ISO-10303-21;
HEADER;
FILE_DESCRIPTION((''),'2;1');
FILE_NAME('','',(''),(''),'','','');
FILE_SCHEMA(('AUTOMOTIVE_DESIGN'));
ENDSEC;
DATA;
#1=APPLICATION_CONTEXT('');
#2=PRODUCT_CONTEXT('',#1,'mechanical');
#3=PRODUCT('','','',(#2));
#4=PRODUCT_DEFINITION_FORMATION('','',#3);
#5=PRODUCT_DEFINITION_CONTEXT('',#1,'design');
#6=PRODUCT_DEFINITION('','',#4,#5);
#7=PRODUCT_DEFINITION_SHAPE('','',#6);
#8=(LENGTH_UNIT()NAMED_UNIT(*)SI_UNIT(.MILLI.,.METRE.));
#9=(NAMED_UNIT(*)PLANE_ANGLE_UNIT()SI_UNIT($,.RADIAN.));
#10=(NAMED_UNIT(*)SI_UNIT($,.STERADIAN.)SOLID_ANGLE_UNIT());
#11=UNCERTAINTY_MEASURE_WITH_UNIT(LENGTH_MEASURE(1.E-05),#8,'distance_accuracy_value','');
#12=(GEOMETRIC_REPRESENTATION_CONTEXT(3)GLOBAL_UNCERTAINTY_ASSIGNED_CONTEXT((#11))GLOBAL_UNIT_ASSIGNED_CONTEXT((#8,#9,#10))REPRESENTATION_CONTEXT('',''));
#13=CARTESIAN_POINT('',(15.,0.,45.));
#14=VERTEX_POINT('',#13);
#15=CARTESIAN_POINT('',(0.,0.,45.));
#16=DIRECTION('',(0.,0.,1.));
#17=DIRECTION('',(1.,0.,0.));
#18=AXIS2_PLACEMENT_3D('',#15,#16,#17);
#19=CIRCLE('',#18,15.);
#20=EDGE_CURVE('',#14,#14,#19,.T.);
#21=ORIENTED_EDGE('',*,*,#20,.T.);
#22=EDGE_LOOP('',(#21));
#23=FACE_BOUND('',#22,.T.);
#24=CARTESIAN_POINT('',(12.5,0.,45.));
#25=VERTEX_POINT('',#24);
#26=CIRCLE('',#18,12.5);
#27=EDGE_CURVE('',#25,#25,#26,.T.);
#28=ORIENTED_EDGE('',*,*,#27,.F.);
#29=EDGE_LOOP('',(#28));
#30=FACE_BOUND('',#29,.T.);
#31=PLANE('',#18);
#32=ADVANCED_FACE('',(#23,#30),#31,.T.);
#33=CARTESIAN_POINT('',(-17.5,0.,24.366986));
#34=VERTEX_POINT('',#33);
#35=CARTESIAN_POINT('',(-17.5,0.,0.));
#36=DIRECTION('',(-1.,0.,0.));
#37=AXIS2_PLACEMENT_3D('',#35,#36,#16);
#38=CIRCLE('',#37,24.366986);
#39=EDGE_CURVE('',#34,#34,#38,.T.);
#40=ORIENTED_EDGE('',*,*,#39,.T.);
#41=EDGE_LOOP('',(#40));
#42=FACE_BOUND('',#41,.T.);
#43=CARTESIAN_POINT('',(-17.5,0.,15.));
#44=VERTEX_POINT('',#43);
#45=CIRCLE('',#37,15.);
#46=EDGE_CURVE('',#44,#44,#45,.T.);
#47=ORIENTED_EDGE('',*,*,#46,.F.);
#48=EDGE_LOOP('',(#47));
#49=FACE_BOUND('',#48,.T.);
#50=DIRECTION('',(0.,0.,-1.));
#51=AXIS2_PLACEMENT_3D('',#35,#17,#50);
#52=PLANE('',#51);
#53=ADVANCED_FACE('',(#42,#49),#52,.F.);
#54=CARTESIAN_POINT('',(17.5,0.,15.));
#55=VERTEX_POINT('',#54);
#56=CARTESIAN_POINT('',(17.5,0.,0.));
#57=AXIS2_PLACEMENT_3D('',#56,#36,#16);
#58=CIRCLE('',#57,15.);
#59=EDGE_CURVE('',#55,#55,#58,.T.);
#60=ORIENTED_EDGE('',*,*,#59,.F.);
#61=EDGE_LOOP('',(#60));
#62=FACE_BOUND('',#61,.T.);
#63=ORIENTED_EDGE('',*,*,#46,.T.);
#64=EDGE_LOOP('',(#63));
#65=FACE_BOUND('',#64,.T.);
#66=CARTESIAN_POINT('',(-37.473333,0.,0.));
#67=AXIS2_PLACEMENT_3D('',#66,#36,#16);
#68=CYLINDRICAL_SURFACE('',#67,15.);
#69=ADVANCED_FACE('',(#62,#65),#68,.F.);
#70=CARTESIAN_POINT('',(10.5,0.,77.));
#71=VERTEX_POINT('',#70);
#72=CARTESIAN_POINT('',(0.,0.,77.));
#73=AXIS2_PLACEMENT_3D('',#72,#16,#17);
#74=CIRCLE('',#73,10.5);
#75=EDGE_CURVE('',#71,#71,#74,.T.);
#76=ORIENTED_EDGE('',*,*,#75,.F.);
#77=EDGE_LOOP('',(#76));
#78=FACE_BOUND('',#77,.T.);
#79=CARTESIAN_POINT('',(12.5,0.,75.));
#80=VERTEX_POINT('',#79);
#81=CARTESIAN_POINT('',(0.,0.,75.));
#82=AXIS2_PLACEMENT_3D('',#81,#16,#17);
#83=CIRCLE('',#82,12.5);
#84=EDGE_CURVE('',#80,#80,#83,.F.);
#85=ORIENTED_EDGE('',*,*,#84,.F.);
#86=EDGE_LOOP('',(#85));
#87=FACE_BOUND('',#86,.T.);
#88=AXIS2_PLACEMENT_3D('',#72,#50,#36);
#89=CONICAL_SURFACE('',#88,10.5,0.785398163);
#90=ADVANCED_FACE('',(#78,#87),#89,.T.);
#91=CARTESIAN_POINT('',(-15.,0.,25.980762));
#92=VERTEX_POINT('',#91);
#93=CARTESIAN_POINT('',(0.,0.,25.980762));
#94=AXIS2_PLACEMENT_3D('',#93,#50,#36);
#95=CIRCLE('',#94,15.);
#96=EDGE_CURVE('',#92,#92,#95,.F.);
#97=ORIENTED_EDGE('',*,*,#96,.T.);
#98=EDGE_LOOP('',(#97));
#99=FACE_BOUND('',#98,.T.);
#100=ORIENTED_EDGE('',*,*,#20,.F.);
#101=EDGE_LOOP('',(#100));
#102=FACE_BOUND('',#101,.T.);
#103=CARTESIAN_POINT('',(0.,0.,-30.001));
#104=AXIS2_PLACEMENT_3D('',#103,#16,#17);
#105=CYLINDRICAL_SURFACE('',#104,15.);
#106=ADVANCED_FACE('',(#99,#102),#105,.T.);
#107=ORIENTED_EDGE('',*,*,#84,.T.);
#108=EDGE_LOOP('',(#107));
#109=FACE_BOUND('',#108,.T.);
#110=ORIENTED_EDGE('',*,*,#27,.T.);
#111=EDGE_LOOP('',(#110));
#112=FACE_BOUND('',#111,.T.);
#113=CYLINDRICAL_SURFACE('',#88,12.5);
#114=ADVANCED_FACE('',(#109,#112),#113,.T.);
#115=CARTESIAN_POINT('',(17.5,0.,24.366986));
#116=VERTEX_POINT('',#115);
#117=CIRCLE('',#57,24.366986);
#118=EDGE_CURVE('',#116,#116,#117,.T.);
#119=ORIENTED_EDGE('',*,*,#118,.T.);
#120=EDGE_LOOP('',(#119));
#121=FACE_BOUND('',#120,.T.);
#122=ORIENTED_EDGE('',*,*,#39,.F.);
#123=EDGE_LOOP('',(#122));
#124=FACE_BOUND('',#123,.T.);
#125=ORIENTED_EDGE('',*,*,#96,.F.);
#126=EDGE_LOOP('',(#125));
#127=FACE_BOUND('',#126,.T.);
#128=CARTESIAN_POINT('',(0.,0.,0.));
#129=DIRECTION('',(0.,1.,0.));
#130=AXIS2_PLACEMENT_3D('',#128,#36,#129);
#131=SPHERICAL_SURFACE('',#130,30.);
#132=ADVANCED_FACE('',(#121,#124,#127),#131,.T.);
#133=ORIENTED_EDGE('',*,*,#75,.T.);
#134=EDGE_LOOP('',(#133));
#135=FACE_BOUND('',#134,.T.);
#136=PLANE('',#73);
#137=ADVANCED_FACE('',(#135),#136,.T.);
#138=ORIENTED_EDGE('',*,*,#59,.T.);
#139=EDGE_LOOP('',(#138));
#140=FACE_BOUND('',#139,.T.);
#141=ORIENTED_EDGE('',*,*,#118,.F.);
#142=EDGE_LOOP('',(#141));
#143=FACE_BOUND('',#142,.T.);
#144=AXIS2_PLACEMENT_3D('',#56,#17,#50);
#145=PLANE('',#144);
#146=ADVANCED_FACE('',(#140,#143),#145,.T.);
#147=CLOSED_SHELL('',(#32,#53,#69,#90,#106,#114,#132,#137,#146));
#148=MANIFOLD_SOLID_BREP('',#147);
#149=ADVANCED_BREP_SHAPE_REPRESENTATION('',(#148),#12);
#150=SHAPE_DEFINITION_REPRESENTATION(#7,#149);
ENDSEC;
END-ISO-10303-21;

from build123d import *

# Parameters (mm, degrees)
P_IDAT_VYSUNUT_M1_REACH = 77
SKICA4_R                = 15
SKICA5_R                = 12.5
P_IDAT_VYSUNUT_M2_DEPTH = 32
ZKOSEN_1_SIZE           = 2


with BuildPart() as part:
    # Skica1 → Rotovat1 (revolve)
    with BuildSketch(Plane.XY):
        with BuildLine():
            ThreePointArc((17.5, 24.366985862), (0, 30), (-17.5, 24.366985862))
            Line((-17.5, 24.366985862), (-17.5, 15))
            Line((-17.5, 15), (17.5, 15))
            Line((17.5, 15), (17.5, 24.366985862))
        make_face()
    revolve(axis=Axis((-37.473333333, 0, 0), (1, 0, 0)))

    # Skica4 → Přidat vysunutím1 (add, up to next)
    with BuildSketch(Plane.XY.offset(45), mode=Mode.PRIVATE) as p_idat_vysunut_m1_sk1:
        Circle(SKICA4_R)
    p_idat_vysunut_m1_tool1 = extrude(p_idat_vysunut_m1_sk1.sketch, amount=-P_IDAT_VYSUNUT_M1_REACH, mode=Mode.PRIVATE) - part.part
    add(p_idat_vysunut_m1_tool1.solids().sort_by_distance((0, 0, 45))[0])

    # Skica5 → Přidat vysunutím2 (add)
    with BuildSketch(Plane.XY.offset(45)):
        Circle(SKICA5_R)
    extrude(amount=P_IDAT_VYSUNUT_M2_DEPTH)

    # Zkosení1
    zkosen_1_edges = [part.edges().sort_by_distance(p)[0] for p in [
        (-12.5, 0, 77),
    ]]
    chamfer(zkosen_1_edges, length=ZKOSEN_1_SIZE)


solid = part.part
